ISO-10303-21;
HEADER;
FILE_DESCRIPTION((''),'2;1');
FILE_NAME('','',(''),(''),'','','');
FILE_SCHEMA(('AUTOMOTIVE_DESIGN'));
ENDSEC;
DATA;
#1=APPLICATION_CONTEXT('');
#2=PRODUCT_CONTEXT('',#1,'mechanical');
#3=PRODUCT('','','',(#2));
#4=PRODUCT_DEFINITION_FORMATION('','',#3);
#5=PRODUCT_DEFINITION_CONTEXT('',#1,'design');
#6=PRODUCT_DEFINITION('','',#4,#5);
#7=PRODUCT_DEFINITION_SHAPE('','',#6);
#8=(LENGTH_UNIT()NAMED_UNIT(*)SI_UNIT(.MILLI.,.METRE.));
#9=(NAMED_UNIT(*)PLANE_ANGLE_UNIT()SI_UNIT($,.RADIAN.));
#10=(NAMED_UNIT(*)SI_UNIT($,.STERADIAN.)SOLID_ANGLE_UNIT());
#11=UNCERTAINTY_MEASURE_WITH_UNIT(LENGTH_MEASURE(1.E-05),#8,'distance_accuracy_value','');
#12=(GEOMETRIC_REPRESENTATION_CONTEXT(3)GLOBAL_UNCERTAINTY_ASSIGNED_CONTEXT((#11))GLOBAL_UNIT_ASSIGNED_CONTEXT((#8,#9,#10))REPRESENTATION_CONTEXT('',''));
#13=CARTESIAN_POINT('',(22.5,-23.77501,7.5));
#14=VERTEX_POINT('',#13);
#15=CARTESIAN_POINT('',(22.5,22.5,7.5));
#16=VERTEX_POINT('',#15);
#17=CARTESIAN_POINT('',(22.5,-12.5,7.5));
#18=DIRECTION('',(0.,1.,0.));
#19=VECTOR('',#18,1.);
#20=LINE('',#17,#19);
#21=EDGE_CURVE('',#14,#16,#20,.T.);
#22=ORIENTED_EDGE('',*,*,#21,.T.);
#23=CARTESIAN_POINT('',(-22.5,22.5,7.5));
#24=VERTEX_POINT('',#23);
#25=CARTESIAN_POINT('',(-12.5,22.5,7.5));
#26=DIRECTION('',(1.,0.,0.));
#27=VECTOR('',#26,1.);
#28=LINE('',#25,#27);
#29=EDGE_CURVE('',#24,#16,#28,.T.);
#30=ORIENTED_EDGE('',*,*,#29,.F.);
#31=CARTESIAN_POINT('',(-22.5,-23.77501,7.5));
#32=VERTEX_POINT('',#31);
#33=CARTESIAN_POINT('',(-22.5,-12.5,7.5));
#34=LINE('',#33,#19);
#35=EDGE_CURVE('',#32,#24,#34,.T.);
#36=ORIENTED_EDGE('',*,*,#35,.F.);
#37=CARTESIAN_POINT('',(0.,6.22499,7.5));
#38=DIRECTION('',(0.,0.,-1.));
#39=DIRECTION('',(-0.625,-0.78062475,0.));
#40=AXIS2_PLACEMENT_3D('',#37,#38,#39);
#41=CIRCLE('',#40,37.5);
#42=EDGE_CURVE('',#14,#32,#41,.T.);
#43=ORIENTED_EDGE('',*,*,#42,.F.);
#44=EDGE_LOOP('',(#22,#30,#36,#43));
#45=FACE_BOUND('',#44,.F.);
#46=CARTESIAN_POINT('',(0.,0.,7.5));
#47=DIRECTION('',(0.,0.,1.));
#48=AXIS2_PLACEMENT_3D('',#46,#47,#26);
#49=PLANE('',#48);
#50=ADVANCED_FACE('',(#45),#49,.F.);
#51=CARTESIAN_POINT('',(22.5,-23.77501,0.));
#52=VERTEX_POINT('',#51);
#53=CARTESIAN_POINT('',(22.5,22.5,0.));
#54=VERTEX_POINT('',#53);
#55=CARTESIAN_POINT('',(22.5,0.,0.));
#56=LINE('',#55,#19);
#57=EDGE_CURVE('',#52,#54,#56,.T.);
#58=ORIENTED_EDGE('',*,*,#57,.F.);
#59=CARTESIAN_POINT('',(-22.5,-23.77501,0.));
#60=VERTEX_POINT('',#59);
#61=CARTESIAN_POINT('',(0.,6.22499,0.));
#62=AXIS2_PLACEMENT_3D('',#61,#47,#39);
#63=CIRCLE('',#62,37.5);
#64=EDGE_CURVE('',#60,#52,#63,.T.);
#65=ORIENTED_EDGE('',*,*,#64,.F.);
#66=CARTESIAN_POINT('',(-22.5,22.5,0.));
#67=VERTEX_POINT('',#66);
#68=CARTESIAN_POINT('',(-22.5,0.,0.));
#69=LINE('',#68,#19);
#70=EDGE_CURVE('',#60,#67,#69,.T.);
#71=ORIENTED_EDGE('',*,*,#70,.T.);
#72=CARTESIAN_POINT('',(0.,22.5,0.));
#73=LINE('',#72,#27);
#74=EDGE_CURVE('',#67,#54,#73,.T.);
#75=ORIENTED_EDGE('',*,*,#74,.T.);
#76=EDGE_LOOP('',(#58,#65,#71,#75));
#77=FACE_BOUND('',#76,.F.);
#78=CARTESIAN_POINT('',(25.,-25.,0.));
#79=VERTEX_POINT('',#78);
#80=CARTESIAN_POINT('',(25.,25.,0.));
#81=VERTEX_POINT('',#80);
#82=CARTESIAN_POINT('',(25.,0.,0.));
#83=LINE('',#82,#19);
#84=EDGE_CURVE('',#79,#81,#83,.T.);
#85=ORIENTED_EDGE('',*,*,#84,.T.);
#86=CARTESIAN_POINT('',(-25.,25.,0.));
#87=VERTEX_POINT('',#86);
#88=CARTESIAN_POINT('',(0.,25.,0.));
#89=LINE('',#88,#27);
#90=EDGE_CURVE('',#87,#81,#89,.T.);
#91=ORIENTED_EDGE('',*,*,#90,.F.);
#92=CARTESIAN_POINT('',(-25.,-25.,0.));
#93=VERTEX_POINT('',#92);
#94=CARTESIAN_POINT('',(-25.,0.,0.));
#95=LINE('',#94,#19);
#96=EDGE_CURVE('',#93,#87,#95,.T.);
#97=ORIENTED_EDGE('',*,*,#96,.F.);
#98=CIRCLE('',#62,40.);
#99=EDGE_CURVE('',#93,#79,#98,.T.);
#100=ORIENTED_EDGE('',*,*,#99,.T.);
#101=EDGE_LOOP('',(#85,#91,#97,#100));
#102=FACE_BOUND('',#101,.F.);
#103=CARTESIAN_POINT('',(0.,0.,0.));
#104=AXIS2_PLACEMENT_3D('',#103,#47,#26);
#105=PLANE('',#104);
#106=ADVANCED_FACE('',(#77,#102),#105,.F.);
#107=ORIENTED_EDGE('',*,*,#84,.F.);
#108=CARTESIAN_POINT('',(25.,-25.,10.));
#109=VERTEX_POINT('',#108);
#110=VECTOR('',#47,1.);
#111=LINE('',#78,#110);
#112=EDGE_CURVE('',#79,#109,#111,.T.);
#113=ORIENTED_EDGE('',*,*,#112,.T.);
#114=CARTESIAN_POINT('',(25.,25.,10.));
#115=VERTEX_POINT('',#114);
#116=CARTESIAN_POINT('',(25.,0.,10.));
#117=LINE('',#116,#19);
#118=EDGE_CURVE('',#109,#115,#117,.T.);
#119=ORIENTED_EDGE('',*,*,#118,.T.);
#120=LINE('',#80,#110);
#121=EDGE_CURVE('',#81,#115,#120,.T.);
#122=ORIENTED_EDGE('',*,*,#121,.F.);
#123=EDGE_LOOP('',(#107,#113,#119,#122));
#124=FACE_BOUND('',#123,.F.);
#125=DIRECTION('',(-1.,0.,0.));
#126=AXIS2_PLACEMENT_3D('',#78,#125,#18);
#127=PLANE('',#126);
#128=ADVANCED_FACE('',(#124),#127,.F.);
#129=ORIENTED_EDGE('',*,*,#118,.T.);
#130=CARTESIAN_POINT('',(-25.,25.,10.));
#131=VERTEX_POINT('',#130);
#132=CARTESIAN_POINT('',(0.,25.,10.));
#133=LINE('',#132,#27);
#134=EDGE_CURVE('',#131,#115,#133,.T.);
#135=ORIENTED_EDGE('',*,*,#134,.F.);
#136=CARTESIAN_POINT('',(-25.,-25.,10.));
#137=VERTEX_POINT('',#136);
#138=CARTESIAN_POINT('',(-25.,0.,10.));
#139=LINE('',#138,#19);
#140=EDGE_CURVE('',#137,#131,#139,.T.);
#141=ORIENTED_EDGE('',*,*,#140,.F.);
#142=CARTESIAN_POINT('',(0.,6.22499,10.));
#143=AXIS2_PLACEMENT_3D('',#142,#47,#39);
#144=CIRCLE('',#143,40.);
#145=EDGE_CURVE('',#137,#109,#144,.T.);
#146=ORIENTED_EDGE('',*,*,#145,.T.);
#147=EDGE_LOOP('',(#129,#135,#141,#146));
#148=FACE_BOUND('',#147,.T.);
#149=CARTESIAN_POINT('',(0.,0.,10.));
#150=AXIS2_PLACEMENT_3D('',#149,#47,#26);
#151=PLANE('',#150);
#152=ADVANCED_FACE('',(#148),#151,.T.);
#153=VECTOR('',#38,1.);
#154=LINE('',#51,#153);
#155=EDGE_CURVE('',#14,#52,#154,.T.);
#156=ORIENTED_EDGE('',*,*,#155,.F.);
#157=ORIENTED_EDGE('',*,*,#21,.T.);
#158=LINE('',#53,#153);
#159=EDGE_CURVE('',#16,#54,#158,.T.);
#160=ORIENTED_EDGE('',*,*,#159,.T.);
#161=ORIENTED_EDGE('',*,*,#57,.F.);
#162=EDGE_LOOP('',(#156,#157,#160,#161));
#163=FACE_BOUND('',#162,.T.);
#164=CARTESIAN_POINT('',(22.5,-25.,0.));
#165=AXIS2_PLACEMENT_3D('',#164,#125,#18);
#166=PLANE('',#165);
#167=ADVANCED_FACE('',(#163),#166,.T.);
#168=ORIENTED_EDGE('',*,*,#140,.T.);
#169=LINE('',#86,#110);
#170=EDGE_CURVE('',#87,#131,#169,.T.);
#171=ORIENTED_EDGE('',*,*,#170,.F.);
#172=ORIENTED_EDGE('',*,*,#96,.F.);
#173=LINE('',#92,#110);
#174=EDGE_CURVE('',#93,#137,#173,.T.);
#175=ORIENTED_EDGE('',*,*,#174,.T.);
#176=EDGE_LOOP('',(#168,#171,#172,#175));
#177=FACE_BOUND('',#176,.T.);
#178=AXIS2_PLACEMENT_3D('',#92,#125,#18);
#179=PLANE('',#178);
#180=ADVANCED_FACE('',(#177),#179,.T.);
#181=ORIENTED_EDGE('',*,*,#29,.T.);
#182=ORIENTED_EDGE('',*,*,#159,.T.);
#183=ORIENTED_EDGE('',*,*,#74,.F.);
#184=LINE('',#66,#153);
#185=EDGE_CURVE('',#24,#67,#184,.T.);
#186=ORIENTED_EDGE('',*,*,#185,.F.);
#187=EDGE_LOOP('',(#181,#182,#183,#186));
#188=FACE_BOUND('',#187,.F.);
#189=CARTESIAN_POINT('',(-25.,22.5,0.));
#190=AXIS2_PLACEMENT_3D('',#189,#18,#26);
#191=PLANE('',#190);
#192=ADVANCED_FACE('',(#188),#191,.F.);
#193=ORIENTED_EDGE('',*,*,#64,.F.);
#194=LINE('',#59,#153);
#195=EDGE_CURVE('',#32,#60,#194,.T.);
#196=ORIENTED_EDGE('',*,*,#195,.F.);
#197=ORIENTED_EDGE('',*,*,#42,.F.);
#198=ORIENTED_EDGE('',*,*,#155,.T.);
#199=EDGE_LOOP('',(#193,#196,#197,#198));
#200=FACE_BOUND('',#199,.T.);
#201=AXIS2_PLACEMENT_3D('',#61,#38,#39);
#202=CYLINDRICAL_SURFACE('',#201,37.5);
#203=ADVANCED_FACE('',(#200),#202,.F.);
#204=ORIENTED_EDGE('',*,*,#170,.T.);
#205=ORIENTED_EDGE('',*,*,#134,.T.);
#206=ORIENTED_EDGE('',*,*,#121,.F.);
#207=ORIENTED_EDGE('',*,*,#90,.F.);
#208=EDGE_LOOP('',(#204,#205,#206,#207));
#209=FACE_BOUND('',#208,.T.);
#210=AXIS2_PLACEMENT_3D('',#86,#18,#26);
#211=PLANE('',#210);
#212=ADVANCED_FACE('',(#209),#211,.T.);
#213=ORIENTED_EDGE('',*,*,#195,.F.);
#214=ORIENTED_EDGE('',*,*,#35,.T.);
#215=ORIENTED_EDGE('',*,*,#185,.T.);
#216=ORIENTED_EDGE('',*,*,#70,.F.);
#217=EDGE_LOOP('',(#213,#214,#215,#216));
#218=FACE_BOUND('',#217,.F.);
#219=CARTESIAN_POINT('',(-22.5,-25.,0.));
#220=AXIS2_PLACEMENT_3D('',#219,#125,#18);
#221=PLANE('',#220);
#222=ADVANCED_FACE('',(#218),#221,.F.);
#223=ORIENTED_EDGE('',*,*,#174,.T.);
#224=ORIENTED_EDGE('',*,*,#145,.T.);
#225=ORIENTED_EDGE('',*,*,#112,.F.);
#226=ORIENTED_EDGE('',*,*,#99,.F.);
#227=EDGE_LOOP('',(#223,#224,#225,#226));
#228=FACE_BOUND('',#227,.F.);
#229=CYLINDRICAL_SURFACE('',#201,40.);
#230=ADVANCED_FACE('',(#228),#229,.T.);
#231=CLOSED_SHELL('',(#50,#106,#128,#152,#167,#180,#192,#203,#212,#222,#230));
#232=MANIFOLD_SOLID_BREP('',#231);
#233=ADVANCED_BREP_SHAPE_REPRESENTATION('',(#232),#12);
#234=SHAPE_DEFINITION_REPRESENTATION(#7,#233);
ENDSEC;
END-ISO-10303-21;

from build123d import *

# Parameters (mm, degrees)
F0_W     = 50
F0_H     = 50
F1_DEPTH = 10
F2_T     = -2.5


with BuildPart() as f1:
    # F0 (on Top) → F1 (new body)
    with BuildSketch(Plane.XY):
        Rectangle(F0_W, F0_H)
        with BuildLine():
            Line((25, -25), (-25, -25))
            ThreePointArc((-25, -25), (0, -33.77501), (25, -25))
        make_face()
    extrude(amount=F1_DEPTH)

    # F2
    f2_openings = [f1.faces().sort_by_distance(p)[0] for p in [
        (0, -3.054648, 0),
    ]]
    offset(amount=F2_T, openings=f2_openings)


solid = f1.part
